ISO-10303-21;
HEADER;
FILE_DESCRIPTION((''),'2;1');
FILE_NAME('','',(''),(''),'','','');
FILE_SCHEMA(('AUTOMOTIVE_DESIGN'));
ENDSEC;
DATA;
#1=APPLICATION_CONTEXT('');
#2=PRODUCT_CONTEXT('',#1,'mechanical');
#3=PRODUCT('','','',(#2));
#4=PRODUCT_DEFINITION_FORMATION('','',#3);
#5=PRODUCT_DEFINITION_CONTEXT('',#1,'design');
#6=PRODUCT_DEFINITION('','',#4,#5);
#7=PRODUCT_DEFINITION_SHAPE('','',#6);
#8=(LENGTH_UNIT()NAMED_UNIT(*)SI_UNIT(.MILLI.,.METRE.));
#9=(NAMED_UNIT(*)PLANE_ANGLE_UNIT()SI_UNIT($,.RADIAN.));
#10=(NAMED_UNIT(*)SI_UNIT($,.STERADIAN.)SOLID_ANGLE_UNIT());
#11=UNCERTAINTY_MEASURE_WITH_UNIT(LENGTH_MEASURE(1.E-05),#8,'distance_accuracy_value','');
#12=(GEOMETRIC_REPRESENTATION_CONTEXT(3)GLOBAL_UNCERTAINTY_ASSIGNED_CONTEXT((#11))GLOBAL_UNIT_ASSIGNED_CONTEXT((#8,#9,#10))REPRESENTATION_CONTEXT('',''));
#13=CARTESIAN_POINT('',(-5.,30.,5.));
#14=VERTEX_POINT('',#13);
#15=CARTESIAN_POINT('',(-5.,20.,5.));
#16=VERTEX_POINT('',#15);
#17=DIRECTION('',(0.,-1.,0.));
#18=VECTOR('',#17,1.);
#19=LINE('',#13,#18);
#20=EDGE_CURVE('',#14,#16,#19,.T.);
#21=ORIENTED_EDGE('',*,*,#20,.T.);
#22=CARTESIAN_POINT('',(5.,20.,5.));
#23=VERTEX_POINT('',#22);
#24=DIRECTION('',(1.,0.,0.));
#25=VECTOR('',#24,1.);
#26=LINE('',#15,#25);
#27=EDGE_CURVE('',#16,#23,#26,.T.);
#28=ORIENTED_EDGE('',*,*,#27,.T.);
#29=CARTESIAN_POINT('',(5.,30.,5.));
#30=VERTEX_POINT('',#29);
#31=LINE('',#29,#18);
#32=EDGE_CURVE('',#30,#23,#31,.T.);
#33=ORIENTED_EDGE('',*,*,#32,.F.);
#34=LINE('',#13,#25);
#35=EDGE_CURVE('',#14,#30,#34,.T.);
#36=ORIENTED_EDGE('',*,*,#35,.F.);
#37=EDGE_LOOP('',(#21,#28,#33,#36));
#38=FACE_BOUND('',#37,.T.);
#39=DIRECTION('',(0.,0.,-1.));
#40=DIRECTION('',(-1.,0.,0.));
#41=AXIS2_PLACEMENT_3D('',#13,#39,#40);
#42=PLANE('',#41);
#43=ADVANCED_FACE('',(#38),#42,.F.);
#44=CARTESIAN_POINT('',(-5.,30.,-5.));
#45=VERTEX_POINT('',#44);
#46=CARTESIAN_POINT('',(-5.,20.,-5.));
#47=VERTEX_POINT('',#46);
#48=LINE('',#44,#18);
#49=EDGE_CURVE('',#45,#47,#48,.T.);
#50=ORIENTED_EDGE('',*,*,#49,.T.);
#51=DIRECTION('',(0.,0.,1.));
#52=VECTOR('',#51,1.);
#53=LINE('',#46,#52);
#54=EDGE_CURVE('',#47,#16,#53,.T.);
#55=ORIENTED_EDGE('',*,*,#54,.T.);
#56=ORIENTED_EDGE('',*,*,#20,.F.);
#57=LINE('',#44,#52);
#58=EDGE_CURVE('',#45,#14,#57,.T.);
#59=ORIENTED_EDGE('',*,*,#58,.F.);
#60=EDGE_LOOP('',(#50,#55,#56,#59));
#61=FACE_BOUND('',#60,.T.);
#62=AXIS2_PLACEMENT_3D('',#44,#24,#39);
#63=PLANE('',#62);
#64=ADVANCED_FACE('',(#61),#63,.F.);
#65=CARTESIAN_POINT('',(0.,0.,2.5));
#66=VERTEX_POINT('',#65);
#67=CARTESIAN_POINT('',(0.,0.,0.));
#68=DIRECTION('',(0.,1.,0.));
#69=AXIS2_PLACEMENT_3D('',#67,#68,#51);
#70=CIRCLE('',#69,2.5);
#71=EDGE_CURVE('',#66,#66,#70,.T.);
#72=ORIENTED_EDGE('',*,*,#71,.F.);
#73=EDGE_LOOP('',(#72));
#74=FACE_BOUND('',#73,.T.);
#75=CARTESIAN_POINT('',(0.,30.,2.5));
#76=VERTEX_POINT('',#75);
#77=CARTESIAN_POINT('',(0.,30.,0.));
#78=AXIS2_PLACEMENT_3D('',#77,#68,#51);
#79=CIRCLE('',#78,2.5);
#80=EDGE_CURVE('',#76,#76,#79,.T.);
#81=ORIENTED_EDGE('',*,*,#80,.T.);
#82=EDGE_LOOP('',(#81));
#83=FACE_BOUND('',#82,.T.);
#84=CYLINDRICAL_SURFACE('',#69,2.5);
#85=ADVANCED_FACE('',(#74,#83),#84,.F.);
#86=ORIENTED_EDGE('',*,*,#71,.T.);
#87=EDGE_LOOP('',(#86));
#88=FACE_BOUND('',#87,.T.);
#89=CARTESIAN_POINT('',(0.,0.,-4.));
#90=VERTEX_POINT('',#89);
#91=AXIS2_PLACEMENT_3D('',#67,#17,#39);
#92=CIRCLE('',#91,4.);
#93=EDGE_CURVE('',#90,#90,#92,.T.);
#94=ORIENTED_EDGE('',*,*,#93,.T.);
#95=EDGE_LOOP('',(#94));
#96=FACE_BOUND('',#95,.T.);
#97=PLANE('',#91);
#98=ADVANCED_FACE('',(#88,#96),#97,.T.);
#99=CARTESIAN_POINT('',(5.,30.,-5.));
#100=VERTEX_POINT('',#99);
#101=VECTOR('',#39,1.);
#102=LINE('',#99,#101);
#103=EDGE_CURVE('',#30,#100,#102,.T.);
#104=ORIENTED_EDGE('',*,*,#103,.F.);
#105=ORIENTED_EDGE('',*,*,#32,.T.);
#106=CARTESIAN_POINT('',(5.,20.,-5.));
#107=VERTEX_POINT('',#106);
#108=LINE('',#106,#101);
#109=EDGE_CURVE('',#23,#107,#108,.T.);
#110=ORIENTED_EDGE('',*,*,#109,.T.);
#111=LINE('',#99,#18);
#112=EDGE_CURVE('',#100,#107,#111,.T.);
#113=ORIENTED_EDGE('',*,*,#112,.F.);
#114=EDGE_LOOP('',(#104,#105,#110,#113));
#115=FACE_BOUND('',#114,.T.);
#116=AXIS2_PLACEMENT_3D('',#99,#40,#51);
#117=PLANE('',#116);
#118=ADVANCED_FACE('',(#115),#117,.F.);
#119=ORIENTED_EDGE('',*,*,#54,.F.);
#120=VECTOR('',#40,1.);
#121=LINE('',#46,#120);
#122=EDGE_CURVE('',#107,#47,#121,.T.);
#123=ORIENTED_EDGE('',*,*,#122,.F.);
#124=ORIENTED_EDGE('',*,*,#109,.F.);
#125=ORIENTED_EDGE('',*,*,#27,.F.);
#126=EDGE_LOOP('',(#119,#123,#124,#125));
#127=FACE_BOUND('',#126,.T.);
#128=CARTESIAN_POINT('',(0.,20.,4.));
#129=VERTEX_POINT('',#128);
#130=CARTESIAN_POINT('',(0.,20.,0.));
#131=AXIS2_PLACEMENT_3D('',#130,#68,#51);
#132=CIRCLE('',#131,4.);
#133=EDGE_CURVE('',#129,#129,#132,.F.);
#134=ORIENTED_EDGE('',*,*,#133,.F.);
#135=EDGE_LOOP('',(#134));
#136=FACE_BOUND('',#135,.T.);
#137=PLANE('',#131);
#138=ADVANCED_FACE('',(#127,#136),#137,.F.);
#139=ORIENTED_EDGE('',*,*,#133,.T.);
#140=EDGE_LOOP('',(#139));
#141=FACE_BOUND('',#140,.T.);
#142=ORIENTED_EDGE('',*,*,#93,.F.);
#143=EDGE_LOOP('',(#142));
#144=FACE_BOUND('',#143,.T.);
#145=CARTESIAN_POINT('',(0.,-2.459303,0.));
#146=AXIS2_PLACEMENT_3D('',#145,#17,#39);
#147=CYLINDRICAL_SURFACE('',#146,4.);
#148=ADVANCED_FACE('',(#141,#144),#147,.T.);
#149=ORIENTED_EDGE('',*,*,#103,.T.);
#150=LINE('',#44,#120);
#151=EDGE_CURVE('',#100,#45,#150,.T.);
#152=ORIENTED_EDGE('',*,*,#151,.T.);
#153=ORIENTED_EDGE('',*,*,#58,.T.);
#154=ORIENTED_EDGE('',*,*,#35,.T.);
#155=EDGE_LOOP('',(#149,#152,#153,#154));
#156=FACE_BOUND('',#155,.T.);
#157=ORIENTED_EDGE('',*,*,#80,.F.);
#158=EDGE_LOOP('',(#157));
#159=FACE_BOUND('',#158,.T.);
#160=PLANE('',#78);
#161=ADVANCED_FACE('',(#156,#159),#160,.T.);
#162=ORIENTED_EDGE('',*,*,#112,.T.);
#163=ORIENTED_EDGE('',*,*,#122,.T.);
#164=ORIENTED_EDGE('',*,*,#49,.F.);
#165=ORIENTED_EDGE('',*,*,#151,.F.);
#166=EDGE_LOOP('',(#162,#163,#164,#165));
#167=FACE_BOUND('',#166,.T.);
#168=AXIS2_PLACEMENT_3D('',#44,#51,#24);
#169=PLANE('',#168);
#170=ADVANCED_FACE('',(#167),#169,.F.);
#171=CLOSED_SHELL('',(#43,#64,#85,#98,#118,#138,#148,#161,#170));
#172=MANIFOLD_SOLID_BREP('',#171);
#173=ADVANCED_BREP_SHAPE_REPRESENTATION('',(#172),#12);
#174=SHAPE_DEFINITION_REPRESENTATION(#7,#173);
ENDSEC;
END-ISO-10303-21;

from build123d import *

# Parameters (mm, degrees)
SKIZZE1_W                       = 4
SKIZZE1_H                       = 20
SKIZZE5_W                       = 10
SKIZZE5_H                       = 10
AUFSATZ_LINEAR_AUSTRAGEN1_DEPTH = 10
SKETCH1_R                       = 2.5
CUT_EXTRUDE1_DEPTH              = 31.822070015


with BuildPart() as part:
    # Skizze1 → Rotation1 (revolve)
    with BuildSketch(Plane.XY, mode=Mode.PRIVATE) as rotation1_sk:
        with Locations((2, 10)):
            Rectangle(SKIZZE1_W, SKIZZE1_H)
    revolve(rotation1_sk.sketch.rotate(Axis((0, -2.459302686, 0), (0, 1, 0)), 90), axis=Axis((0, -2.459302686, 0), (0, 1, 0)))

    # Skizze5 → Aufsatz-Linear austragen1 (add)
    with BuildSketch(Plane(origin=(0, 20, 0), x_dir=(1, 0, 0), z_dir=(0, 1, 0))):
        Rectangle(SKIZZE5_W, SKIZZE5_H)
    extrude(amount=AUFSATZ_LINEAR_AUSTRAGEN1_DEPTH)

    # Sketch1 → Cut-Extrude1 (cut, through all)
    with BuildSketch(Plane(origin=(0, 30, 0), x_dir=(1, 0, 0), z_dir=(0, 1, 0))):
        with Locations(Location((0, 0, 0), (0, 0, 270))):
            Circle(SKETCH1_R)
    extrude(amount=-CUT_EXTRUDE1_DEPTH, mode=Mode.SUBTRACT)


solid = part.part
